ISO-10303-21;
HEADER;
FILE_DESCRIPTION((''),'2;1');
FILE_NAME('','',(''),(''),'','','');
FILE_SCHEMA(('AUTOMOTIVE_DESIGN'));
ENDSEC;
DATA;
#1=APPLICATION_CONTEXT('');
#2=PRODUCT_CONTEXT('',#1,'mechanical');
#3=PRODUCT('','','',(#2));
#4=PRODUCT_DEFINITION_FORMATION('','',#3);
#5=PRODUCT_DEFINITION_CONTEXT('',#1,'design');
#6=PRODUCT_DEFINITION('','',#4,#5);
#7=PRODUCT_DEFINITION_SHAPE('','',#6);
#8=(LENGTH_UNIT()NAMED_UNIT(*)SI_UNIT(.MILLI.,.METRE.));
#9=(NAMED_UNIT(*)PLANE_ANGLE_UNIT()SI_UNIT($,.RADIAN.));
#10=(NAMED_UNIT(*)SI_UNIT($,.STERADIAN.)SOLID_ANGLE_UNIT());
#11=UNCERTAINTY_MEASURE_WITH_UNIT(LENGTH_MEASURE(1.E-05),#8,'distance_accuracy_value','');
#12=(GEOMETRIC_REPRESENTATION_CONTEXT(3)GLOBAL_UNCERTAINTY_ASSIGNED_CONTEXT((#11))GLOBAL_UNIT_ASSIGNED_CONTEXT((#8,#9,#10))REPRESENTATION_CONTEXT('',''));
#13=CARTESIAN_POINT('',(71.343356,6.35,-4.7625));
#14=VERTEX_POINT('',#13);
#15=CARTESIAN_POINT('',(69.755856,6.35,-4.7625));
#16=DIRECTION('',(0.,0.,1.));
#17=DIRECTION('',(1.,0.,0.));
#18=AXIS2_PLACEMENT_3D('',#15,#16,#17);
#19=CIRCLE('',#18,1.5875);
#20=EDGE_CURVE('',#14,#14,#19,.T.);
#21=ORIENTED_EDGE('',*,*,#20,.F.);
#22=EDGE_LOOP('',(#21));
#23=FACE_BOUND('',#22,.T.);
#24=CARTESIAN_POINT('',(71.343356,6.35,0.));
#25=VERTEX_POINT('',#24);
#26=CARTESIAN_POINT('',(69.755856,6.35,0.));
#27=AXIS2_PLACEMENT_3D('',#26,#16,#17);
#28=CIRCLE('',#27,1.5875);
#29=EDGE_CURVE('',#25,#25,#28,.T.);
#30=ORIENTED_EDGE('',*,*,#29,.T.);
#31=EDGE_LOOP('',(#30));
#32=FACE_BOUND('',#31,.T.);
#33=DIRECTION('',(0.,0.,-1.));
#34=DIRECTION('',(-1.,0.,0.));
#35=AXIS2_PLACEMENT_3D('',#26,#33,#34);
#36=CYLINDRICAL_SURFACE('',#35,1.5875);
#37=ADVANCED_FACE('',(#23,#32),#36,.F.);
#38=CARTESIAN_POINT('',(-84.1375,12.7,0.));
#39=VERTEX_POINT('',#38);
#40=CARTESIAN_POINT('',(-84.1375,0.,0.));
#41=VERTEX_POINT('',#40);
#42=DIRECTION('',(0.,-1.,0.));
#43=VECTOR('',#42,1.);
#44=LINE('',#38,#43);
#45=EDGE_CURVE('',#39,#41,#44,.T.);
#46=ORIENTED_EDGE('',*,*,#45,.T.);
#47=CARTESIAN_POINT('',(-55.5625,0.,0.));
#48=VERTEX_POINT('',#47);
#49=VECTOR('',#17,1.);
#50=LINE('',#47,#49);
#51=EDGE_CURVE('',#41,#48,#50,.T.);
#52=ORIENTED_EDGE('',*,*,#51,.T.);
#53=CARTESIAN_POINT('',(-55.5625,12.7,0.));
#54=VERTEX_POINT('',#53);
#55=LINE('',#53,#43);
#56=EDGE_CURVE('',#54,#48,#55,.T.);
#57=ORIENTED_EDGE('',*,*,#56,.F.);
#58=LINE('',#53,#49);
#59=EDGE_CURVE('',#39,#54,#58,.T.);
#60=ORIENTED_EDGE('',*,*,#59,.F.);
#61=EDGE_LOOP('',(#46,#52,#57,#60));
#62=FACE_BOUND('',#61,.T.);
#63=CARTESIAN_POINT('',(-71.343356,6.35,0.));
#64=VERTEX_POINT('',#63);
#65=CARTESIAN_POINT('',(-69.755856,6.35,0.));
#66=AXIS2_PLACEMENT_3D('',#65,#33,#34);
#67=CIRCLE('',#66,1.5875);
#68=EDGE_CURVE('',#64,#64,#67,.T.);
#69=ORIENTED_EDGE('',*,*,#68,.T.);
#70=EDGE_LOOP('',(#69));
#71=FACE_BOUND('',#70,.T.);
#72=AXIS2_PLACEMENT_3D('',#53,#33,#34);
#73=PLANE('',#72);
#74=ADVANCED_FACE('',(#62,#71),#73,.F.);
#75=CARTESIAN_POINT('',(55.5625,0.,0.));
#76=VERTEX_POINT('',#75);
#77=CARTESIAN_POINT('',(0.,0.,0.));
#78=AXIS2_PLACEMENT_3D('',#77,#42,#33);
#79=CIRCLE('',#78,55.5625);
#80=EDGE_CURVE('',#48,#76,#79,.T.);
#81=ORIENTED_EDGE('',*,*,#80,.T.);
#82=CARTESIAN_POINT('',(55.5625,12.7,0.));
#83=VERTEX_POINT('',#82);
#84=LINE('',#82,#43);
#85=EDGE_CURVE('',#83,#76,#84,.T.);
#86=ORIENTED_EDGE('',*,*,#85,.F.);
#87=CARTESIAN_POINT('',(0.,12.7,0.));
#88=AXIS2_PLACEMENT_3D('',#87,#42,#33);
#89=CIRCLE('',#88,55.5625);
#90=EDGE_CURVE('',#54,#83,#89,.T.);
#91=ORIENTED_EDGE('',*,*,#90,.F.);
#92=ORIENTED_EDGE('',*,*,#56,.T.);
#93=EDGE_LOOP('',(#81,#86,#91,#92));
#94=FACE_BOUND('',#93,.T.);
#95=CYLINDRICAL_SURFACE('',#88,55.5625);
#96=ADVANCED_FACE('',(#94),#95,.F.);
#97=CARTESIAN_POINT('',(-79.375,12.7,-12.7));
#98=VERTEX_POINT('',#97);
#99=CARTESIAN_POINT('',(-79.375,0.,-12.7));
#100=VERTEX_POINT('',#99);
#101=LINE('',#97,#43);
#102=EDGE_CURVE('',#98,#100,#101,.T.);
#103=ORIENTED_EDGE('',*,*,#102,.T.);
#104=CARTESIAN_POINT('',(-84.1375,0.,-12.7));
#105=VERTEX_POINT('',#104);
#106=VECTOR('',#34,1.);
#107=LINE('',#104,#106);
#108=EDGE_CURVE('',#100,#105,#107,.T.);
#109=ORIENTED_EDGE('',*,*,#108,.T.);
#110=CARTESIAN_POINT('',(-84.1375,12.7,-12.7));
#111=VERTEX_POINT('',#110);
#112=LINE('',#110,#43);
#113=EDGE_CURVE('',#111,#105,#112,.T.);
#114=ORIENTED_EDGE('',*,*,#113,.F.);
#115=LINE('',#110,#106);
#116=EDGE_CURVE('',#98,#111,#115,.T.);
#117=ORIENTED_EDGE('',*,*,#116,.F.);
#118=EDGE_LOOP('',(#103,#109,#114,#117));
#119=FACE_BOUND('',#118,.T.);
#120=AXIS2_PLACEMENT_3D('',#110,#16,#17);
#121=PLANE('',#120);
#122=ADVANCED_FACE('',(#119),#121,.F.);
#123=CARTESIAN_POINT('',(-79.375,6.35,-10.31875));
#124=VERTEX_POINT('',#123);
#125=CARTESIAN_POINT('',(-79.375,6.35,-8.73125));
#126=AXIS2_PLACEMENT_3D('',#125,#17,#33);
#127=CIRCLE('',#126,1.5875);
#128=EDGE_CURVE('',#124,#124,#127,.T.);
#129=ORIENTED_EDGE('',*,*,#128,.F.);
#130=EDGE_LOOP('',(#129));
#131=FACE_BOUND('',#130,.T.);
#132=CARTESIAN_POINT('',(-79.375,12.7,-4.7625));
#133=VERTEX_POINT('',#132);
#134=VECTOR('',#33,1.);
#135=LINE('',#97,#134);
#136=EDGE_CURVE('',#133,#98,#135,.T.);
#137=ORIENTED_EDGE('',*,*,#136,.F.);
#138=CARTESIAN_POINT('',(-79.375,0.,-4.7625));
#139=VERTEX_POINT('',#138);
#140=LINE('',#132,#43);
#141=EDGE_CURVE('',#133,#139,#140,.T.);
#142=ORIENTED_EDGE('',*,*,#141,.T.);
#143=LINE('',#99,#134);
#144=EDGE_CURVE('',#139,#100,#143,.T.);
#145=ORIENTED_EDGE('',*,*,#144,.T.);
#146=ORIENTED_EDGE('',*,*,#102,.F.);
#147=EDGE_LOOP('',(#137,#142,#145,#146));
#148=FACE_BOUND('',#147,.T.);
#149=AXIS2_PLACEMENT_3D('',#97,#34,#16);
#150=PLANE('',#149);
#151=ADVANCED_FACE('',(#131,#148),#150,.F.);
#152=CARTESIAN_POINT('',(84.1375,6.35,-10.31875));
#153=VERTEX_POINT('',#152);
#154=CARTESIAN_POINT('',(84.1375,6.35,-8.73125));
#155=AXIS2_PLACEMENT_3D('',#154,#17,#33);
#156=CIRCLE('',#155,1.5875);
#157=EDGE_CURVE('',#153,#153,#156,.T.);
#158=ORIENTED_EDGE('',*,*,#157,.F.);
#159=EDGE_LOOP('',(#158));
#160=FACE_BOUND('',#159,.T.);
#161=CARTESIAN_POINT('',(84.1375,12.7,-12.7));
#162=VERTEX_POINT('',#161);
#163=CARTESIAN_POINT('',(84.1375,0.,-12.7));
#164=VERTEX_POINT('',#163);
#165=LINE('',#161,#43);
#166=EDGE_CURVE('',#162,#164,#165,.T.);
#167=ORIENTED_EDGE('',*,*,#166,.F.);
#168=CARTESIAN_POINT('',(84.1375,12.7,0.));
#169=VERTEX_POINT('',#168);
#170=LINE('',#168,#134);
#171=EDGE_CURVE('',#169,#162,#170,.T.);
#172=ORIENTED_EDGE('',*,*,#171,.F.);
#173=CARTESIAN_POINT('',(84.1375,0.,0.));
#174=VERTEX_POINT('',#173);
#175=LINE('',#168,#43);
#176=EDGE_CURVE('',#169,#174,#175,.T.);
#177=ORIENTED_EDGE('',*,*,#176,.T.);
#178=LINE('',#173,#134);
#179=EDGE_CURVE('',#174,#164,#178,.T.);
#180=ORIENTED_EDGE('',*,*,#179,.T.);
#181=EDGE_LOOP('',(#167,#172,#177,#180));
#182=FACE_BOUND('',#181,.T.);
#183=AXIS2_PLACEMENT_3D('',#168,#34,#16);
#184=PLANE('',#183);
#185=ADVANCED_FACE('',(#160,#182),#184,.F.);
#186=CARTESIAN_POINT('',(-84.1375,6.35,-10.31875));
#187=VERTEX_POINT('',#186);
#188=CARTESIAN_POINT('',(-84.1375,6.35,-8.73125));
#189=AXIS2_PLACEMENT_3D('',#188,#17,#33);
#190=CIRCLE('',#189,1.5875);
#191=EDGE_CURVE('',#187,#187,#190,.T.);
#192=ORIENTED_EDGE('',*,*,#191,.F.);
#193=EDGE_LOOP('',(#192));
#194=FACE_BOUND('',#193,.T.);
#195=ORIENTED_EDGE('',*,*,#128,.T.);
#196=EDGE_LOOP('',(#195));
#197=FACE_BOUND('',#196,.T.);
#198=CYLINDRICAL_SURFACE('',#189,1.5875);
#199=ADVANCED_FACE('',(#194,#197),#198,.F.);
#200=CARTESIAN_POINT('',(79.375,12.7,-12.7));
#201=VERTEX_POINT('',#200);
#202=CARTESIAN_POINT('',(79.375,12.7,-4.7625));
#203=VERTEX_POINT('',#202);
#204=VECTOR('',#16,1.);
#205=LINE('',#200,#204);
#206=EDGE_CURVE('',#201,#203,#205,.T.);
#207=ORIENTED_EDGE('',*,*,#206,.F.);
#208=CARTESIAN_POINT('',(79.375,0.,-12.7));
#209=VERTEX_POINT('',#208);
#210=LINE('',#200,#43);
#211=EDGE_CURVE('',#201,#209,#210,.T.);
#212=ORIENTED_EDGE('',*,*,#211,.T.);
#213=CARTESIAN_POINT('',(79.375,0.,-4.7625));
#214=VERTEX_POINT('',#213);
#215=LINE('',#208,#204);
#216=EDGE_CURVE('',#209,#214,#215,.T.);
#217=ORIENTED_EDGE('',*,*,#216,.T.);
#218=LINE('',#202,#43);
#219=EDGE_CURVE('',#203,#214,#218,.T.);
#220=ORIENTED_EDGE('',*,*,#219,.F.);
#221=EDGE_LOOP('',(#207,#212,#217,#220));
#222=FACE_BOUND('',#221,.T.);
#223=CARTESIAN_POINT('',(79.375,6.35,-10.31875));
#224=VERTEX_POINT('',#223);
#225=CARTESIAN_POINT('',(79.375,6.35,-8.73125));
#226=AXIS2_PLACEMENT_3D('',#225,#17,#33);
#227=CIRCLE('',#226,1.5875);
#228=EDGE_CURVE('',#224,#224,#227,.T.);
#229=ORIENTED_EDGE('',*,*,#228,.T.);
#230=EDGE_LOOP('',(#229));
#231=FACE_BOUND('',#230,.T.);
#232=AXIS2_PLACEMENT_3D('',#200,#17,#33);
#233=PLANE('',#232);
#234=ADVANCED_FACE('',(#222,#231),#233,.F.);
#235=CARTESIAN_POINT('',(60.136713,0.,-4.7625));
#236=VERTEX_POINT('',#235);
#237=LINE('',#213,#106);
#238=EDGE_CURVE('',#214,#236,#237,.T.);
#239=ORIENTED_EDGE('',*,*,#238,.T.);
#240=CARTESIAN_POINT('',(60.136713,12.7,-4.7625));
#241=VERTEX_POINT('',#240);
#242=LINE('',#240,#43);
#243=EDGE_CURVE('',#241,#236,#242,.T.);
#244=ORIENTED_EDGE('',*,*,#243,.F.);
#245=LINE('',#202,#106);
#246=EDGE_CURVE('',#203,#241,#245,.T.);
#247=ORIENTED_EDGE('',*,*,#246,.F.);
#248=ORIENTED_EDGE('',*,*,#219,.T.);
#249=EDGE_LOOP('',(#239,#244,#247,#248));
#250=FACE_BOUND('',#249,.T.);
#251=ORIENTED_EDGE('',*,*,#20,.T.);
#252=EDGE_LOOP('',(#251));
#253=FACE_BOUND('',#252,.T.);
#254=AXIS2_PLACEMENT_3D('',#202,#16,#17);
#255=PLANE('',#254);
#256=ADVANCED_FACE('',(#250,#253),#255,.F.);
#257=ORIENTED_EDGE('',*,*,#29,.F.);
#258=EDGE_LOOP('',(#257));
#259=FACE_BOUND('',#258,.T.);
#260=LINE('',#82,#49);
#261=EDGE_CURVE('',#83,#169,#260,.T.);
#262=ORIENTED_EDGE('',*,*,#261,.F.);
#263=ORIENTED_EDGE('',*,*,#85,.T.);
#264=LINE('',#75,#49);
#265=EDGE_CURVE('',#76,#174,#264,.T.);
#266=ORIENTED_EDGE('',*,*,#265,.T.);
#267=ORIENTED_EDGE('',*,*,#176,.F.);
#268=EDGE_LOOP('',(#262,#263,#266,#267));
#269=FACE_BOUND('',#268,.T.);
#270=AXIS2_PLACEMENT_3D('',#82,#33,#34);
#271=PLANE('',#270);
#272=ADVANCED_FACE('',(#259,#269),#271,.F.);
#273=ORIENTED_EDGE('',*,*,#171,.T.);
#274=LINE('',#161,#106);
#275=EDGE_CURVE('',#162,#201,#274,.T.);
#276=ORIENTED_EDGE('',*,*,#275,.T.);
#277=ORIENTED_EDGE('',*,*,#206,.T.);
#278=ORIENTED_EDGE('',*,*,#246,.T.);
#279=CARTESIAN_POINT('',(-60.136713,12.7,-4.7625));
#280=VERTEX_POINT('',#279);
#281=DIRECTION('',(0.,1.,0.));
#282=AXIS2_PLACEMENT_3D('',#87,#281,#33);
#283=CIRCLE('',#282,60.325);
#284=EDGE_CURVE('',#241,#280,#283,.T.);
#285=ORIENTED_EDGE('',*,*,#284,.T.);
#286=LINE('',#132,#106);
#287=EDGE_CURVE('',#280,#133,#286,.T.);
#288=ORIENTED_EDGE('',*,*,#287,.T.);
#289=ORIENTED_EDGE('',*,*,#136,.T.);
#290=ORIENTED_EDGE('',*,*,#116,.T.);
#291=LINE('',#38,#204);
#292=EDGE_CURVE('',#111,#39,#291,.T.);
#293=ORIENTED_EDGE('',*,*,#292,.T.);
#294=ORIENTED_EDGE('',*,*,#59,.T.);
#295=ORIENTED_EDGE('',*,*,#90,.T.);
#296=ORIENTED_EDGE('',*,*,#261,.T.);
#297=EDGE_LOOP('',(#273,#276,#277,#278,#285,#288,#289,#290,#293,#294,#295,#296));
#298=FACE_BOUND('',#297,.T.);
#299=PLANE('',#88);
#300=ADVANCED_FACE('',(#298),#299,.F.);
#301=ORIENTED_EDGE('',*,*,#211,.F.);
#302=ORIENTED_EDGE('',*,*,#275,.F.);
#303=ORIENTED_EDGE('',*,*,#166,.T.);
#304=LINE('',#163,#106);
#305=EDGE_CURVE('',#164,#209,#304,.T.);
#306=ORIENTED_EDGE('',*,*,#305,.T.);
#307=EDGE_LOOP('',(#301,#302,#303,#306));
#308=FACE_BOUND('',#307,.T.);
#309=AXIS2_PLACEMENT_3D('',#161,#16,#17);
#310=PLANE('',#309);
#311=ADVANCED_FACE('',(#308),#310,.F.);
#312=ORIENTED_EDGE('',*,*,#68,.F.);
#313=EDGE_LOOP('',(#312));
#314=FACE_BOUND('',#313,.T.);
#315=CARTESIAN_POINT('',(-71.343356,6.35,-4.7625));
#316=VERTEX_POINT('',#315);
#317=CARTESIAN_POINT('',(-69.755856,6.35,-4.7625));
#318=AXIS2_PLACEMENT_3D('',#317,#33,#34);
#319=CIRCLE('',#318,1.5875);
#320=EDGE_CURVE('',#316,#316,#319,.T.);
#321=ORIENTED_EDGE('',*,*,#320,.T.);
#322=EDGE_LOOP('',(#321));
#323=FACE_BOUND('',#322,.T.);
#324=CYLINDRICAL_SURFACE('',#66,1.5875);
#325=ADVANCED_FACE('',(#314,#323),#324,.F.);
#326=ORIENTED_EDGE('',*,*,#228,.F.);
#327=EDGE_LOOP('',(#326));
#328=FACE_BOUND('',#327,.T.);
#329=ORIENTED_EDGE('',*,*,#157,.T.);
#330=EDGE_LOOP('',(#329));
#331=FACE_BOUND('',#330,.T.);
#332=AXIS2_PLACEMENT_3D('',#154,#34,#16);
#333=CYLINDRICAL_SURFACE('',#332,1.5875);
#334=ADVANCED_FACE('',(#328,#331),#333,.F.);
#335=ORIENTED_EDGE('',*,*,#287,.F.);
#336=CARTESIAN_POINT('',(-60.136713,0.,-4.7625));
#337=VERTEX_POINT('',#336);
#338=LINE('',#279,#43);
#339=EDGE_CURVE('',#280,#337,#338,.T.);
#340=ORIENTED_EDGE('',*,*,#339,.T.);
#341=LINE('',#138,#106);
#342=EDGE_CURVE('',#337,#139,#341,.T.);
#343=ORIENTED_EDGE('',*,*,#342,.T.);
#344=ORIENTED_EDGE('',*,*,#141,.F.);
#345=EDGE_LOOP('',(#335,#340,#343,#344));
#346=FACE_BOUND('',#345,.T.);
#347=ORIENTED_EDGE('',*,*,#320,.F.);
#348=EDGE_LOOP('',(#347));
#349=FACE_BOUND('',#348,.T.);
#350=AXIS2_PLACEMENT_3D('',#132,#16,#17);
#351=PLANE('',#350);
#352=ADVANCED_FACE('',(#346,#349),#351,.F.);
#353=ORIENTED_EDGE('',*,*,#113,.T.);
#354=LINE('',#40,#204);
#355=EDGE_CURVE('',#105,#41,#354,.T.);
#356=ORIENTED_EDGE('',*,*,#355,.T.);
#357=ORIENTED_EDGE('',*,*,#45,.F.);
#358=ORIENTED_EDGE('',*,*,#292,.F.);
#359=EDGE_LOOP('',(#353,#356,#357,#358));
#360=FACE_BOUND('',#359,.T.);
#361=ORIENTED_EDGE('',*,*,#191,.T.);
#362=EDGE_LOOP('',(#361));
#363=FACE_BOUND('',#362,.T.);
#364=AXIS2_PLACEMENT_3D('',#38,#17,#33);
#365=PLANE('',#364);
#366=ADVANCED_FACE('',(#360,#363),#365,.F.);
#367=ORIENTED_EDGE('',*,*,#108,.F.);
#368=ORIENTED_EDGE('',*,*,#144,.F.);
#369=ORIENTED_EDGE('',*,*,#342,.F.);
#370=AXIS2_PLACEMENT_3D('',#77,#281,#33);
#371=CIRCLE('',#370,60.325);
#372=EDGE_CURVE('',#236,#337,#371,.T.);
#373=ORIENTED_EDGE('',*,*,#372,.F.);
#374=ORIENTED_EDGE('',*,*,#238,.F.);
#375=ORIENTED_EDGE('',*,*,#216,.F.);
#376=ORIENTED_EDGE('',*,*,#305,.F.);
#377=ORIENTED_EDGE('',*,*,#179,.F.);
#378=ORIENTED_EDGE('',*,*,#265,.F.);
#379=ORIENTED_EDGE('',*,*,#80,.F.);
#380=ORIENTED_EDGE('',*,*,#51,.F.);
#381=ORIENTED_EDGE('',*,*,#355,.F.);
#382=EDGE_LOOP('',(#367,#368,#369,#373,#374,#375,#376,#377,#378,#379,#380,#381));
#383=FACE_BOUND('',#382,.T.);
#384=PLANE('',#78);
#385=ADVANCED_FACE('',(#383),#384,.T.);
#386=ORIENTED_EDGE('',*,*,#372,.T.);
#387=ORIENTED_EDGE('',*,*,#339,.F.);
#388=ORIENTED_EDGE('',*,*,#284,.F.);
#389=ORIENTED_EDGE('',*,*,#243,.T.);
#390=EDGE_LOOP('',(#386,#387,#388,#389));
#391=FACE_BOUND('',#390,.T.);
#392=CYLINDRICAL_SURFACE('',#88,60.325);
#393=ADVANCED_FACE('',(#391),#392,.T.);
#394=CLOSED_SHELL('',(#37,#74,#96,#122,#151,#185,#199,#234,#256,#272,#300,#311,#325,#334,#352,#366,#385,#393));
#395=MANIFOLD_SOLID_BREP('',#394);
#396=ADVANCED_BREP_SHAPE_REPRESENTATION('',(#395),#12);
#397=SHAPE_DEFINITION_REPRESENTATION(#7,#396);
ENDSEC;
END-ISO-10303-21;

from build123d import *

# Parameters (mm, degrees)
BOSS_EXTRUDE1_DEPTH = 12.7
SKETCH5_R           = 1.5875
CUT_EXTRUDE1_DEPTH  = 5.7625
SKETCH6_R           = 1.5875
CUT_EXTRUDE2_DEPTH  = 5.7625


with BuildPart() as part:
    # Sketch1 → Boss-Extrude1 (new body)
    with BuildSketch(Plane(origin=(0, 0, 0), x_dir=(1, 0, 0), z_dir=(0, 1, 0))):
        with BuildLine():
            Line((-55.5625, 0), (-84.1375, 0))
            Line((-84.1375, 0), (-84.1375, 12.7))
            Line((-84.1375, 12.7), (-79.375, 12.7))
            Line((-79.375, 12.7), (-79.375, 4.7625))
            Line((-79.375, 4.7625), (-60.136712736, 4.7625))
            ThreePointArc((-60.136712736, 4.7625), (0, 60.325), (60.136712736, 4.7625))
            Line((60.136712736, 4.7625), (79.375, 4.7625))
            Line((79.375, 4.7625), (79.375, 12.7))
            Line((79.375, 12.7), (84.1375, 12.7))
            Line((84.1375, 12.7), (84.1375, 0))
            Line((84.1375, 0), (55.5625, 0))
            ThreePointArc((55.5625, 0), (0, 55.5625), (-55.5625, 0))
        make_face()
    extrude(amount=BOSS_EXTRUDE1_DEPTH)

    # Sketch5 → Cut-Extrude1 (cut, through all)
    with BuildSketch(Plane(origin=(0, 0, -4.7625), x_dir=(-1, 0, 0), z_dir=(0, 0, -1))):
        with Locations((69.755856368, 6.35)):
            Circle(SKETCH5_R)
    cut_extrude1 = extrude(amount=-CUT_EXTRUDE1_DEPTH, mode=Mode.SUBTRACT)

    # Sketch6 → Cut-Extrude2 (cut, through all)
    with BuildSketch(Plane(origin=(-79.375, 0, 0), x_dir=(0, 0, -1), z_dir=(1, 0, 0))):
        with Locations((8.73125, 6.35)):
            Circle(SKETCH6_R)
    cut_extrude2 = extrude(amount=-CUT_EXTRUDE2_DEPTH, mode=Mode.SUBTRACT)

    # Mirror2: Cut-Extrude1, Cut-Extrude2 across plane
    add(cut_extrude1.mirror(Plane(origin=(0, 0, 0), x_dir=(0, 0, 1), z_dir=(1, 0, 0))), mode=Mode.SUBTRACT)
    add(cut_extrude2.mirror(Plane(origin=(0, 0, 0), x_dir=(0, 0, 1), z_dir=(1, 0, 0))), mode=Mode.SUBTRACT)


solid = part.part
